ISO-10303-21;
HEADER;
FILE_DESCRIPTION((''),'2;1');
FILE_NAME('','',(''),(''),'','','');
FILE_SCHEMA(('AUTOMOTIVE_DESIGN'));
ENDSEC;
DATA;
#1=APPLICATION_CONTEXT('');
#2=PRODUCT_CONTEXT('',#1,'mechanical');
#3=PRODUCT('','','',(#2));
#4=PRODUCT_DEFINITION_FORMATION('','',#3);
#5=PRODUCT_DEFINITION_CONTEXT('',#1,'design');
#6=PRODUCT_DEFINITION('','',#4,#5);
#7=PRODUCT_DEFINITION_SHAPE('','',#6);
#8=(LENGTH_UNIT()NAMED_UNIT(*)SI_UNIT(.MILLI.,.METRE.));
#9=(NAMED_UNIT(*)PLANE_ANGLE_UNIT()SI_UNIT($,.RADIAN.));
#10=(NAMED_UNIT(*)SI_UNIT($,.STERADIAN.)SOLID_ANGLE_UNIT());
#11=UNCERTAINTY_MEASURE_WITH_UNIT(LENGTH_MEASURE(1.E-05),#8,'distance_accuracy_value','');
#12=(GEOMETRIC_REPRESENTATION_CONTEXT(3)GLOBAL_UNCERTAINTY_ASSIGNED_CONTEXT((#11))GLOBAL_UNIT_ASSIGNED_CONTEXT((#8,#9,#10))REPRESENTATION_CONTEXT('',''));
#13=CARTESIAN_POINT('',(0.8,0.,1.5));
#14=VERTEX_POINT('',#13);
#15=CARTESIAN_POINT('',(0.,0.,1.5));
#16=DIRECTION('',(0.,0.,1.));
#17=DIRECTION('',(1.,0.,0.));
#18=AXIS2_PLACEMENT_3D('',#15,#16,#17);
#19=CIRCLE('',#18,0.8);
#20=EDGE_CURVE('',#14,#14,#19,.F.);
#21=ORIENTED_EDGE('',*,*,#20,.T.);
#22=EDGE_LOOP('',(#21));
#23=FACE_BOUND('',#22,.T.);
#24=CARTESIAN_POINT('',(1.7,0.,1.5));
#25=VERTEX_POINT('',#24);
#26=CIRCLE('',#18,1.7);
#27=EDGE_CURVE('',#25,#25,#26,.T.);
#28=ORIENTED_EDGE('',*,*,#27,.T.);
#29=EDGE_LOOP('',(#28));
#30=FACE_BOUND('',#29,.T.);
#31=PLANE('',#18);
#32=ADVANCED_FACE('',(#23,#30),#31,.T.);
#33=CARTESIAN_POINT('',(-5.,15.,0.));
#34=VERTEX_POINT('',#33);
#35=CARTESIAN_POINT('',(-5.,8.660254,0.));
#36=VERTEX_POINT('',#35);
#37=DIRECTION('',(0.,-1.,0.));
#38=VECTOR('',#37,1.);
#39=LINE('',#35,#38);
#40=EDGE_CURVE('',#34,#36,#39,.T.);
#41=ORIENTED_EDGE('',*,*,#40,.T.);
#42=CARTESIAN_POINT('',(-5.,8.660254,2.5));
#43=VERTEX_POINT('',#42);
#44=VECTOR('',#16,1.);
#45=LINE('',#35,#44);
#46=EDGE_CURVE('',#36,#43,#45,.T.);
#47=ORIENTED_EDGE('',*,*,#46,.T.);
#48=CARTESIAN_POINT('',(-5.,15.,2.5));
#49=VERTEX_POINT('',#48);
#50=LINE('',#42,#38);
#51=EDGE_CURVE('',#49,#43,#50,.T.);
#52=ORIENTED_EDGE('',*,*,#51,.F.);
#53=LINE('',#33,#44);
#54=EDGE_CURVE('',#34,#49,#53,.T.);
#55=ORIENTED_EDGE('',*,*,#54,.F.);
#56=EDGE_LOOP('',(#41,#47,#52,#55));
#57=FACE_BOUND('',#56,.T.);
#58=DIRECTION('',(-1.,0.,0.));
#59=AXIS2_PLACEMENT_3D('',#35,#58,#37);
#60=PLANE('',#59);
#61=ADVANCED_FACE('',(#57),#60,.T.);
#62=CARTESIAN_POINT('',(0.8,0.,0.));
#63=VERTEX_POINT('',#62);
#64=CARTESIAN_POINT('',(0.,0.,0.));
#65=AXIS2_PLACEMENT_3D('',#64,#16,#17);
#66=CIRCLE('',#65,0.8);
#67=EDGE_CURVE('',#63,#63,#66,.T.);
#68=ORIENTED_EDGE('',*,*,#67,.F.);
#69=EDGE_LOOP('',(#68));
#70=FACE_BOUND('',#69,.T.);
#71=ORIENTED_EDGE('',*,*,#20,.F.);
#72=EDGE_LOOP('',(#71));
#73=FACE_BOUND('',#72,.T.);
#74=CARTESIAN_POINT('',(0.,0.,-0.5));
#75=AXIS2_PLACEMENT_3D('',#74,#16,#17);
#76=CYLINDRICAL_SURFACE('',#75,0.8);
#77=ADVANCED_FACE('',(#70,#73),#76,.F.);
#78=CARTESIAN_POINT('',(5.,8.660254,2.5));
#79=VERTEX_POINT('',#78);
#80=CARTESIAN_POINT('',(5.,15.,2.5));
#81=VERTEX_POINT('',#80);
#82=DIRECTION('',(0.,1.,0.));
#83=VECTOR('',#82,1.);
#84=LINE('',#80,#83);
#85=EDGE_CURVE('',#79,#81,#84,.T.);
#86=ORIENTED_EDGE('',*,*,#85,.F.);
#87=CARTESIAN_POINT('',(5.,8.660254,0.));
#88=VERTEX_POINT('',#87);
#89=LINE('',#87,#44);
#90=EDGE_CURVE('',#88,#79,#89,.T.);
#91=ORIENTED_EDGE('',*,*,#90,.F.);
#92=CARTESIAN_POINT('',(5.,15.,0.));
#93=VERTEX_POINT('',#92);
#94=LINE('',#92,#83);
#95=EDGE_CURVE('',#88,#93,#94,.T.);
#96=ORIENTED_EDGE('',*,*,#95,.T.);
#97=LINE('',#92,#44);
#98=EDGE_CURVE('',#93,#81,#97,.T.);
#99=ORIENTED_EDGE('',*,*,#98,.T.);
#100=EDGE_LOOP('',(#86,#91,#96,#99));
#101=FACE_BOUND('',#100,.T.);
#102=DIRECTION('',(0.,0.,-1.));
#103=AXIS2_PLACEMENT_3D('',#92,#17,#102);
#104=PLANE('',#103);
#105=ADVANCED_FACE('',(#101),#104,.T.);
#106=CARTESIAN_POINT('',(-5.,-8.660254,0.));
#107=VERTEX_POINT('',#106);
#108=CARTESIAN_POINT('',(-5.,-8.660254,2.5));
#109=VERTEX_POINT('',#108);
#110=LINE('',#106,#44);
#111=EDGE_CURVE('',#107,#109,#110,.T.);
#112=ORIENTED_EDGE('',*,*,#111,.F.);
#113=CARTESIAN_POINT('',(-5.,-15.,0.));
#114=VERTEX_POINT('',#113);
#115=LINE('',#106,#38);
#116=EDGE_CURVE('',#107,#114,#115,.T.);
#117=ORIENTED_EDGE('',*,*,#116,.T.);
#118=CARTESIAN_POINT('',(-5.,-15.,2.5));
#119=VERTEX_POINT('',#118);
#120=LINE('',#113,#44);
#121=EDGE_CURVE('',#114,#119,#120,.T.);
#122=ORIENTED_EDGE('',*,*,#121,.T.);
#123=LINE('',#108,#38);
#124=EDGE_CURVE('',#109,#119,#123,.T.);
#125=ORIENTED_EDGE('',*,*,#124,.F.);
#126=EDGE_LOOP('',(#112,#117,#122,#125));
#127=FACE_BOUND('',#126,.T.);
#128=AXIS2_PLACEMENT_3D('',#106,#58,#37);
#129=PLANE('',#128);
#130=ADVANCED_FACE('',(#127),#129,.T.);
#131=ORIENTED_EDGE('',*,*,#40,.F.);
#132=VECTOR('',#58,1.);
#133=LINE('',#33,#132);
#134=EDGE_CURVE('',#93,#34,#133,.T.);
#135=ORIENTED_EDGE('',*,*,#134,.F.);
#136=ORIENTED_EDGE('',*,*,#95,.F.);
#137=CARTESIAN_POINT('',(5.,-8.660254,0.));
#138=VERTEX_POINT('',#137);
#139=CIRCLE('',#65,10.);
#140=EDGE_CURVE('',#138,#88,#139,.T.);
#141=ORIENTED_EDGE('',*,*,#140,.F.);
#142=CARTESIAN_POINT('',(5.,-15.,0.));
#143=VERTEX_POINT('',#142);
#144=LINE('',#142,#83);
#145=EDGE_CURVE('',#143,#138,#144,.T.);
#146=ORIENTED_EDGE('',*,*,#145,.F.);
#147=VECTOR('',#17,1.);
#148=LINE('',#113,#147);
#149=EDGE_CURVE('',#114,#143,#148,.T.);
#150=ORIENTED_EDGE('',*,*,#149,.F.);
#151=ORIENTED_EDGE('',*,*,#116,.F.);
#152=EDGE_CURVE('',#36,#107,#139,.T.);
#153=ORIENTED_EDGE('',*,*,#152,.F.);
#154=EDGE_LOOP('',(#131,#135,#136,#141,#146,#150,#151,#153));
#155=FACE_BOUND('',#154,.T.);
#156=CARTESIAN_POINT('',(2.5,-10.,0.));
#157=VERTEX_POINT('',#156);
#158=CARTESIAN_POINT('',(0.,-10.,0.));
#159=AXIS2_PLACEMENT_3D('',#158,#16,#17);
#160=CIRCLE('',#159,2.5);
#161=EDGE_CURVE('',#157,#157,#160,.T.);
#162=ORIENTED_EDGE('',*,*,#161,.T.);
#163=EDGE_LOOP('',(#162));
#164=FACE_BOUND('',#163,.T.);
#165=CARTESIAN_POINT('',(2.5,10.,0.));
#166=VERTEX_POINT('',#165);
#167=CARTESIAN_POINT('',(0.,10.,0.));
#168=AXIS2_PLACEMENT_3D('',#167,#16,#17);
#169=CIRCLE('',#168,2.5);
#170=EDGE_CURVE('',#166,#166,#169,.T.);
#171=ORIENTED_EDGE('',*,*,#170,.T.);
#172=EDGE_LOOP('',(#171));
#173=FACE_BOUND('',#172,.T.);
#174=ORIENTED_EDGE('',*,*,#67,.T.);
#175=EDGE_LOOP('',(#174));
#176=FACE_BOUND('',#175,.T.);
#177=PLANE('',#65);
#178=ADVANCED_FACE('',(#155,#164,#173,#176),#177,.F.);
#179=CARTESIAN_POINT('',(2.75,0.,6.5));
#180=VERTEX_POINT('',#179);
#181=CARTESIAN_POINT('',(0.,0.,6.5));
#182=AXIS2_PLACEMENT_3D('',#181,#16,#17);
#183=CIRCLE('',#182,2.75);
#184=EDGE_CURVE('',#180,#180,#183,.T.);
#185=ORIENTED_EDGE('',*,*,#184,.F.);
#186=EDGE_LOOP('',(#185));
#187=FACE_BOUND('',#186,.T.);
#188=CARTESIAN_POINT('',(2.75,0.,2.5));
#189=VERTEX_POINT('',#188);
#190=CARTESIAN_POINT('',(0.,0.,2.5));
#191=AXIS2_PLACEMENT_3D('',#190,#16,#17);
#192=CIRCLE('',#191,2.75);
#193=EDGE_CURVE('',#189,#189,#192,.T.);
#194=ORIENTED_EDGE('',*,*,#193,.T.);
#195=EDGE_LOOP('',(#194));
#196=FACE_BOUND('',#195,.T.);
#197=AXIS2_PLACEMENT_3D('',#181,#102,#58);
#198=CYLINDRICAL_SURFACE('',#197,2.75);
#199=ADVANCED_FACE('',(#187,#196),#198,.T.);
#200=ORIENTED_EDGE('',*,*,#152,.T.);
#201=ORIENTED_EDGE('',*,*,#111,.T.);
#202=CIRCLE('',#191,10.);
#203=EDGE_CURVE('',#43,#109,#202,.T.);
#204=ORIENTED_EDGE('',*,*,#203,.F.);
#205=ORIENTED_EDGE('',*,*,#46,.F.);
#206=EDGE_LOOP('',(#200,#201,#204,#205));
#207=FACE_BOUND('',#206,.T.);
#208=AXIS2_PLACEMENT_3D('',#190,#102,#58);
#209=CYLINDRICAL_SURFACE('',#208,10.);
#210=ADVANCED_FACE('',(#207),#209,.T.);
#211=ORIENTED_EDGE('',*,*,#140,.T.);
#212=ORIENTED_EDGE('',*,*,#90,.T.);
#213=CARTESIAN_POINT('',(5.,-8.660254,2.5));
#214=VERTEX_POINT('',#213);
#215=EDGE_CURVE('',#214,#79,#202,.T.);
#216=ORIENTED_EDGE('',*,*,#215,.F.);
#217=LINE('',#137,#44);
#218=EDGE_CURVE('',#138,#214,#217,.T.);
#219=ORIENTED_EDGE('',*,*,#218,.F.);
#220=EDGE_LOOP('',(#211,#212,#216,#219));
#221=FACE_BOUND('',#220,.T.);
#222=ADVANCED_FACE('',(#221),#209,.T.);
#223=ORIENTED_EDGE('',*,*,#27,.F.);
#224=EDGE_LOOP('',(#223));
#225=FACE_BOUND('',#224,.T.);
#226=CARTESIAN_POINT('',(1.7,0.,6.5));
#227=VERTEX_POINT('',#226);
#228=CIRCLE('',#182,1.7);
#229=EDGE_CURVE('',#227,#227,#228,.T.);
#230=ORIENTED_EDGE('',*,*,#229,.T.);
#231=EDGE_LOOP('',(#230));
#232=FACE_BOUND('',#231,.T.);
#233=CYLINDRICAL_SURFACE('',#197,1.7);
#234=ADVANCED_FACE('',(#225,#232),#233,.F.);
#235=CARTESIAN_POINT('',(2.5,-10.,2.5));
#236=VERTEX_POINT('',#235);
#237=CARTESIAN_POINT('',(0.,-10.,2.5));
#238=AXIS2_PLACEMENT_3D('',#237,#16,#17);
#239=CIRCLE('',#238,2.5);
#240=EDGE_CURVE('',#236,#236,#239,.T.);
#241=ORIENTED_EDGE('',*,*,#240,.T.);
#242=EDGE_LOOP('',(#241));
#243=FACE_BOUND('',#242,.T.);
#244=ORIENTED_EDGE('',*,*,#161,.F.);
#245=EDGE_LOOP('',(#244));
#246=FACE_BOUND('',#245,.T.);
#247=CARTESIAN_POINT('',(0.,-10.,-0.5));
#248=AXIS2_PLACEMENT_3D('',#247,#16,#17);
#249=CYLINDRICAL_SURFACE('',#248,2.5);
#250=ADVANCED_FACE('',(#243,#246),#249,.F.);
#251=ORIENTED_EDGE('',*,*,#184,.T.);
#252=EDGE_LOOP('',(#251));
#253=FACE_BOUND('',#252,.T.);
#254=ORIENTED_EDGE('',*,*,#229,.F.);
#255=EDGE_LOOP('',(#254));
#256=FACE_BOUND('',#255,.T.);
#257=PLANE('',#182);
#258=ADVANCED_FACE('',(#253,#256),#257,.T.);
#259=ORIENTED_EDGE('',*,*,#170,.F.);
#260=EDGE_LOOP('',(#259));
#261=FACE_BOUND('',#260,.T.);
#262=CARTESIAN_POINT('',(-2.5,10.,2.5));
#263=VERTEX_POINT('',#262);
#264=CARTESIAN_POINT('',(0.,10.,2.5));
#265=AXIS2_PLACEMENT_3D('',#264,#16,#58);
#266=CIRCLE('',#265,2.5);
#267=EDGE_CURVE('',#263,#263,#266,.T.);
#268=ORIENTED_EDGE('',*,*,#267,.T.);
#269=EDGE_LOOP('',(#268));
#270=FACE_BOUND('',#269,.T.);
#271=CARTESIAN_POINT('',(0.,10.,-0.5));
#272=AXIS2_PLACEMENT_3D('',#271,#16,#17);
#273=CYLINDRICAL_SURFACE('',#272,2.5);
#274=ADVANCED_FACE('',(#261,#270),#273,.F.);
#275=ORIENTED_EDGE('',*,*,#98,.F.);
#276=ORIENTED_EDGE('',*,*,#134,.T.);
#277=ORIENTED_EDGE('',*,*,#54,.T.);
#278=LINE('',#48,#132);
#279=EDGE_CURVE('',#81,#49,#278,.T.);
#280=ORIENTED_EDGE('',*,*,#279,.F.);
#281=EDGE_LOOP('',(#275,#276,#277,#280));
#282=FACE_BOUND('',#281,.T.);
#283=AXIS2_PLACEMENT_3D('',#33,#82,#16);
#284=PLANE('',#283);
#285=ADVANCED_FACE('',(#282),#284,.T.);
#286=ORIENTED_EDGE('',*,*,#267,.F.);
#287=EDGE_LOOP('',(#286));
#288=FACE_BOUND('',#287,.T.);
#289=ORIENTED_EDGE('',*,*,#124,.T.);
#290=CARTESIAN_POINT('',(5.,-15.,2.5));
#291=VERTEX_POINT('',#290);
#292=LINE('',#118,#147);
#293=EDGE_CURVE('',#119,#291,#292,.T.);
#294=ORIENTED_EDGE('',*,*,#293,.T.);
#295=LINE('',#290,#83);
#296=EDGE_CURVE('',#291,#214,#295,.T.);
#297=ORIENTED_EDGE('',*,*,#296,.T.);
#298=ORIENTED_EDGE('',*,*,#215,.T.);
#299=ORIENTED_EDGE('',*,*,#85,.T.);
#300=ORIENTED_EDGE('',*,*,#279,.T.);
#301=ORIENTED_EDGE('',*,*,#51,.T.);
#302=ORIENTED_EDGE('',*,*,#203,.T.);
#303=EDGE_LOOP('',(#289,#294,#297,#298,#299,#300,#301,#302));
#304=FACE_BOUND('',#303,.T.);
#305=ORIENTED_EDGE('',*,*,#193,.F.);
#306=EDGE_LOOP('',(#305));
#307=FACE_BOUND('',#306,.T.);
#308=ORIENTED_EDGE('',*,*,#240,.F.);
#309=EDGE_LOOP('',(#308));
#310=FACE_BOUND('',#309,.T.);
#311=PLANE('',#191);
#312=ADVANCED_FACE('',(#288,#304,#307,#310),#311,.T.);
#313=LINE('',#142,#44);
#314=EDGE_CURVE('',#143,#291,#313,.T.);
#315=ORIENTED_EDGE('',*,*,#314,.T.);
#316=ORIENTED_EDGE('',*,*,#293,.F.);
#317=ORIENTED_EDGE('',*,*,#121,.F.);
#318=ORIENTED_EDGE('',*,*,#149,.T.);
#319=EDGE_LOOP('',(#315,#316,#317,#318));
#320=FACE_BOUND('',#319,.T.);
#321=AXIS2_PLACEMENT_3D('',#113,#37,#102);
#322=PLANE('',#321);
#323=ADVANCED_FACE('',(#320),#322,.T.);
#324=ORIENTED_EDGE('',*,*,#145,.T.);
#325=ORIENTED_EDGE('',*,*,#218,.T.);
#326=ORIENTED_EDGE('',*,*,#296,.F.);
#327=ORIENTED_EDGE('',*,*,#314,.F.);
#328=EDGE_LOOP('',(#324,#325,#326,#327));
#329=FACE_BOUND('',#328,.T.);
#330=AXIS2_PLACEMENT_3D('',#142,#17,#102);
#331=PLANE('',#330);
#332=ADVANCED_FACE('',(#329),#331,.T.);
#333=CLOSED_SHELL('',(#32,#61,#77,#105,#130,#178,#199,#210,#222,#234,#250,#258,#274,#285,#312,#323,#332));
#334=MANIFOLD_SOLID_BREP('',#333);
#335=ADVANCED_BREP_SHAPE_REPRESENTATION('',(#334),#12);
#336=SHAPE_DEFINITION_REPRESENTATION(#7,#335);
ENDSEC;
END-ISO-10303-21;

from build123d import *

# Parameters (mm, degrees)
ESQUISSE4_R             = 10
BOSS_EXTRU_3_DEPTH      = 2.5
ESQUISSE5_R             = 0.8
ENL_V_MAT_EXTRU_2_DEPTH = 3
ESQUISSE6_R             = 2.75
ESQUISSE6_R_2           = 1.7
BOSS_EXTRU_4_DEPTH      = 4
ENL_V_START             = -1
ESQUISSE10_R            = 1.7
ENL_V_MAT_EXTRU_3_DEPTH = 1
BOSS_EXTRU_8_START      = -2.5
BOSS_EXTRU_8_DEPTH      = 2.5
ESQUISSE19_R            = 2.5
ENL_V_MAT_EXTRU_4_DEPTH = 3


with BuildPart() as part:
    # Esquisse4 → Boss.-Extru.3 (new body)
    with BuildSketch(Plane.XY):
        Circle(ESQUISSE4_R)
    extrude(amount=BOSS_EXTRU_3_DEPTH)

    # Esquisse5 → Enlèv. mat.-Extru.2 (cut)
    with BuildSketch(Plane.XY.offset(2.5)):
        Circle(ESQUISSE5_R)
    extrude(amount=-ENL_V_MAT_EXTRU_2_DEPTH, mode=Mode.SUBTRACT)

    # Esquisse6 → Boss.-Extru.4 (add)
    with BuildSketch(Plane.XY.offset(2.5)):
        Circle(ESQUISSE6_R)
        Circle(ESQUISSE6_R_2, mode=Mode.SUBTRACT)
    extrude(amount=BOSS_EXTRU_4_DEPTH)

    # Esquisse10 → Enlèv. mat.-Extru.3 (cut)
    with BuildSketch(Plane.XY.offset(2.5).offset(ENL_V_START)):
        Circle(ESQUISSE10_R)
    extrude(amount=ENL_V_MAT_EXTRU_3_DEPTH, mode=Mode.SUBTRACT)

    # Esquisse17 → Boss.-Extru.8 (add)
    with BuildSketch(Plane.XY.offset(2.5).offset(BOSS_EXTRU_8_START)):
        with BuildLine():
            Line((-5, -8.660254038), (-5, -15))
            Line((-5, -15), (5, -15))
            Line((5, -15), (5, -8.660254038))
            ThreePointArc((5, -8.660254038), (0, -10), (-5, -8.660254038))
        make_face()
        with BuildLine():
            Line((5, 15), (5, 8.660254038))
            ThreePointArc((5, 8.660254038), (0, 10), (-5, 8.660254038))
            Line((-5, 8.660254038), (-5, 15))
            Line((-5, 15), (5, 15))
        make_face()
    extrude(amount=BOSS_EXTRU_8_DEPTH)

    # Esquisse19 → Enlèv. mat.-Extru.4 (cut)
    with BuildSketch(Plane.XY.offset(2.5)):
        with Locations((0, -10)):
            Circle(ESQUISSE19_R)
        with Locations((0, 10)):
            Circle(ESQUISSE19_R)
    extrude(amount=-ENL_V_MAT_EXTRU_4_DEPTH, mode=Mode.SUBTRACT)


solid = part.part
